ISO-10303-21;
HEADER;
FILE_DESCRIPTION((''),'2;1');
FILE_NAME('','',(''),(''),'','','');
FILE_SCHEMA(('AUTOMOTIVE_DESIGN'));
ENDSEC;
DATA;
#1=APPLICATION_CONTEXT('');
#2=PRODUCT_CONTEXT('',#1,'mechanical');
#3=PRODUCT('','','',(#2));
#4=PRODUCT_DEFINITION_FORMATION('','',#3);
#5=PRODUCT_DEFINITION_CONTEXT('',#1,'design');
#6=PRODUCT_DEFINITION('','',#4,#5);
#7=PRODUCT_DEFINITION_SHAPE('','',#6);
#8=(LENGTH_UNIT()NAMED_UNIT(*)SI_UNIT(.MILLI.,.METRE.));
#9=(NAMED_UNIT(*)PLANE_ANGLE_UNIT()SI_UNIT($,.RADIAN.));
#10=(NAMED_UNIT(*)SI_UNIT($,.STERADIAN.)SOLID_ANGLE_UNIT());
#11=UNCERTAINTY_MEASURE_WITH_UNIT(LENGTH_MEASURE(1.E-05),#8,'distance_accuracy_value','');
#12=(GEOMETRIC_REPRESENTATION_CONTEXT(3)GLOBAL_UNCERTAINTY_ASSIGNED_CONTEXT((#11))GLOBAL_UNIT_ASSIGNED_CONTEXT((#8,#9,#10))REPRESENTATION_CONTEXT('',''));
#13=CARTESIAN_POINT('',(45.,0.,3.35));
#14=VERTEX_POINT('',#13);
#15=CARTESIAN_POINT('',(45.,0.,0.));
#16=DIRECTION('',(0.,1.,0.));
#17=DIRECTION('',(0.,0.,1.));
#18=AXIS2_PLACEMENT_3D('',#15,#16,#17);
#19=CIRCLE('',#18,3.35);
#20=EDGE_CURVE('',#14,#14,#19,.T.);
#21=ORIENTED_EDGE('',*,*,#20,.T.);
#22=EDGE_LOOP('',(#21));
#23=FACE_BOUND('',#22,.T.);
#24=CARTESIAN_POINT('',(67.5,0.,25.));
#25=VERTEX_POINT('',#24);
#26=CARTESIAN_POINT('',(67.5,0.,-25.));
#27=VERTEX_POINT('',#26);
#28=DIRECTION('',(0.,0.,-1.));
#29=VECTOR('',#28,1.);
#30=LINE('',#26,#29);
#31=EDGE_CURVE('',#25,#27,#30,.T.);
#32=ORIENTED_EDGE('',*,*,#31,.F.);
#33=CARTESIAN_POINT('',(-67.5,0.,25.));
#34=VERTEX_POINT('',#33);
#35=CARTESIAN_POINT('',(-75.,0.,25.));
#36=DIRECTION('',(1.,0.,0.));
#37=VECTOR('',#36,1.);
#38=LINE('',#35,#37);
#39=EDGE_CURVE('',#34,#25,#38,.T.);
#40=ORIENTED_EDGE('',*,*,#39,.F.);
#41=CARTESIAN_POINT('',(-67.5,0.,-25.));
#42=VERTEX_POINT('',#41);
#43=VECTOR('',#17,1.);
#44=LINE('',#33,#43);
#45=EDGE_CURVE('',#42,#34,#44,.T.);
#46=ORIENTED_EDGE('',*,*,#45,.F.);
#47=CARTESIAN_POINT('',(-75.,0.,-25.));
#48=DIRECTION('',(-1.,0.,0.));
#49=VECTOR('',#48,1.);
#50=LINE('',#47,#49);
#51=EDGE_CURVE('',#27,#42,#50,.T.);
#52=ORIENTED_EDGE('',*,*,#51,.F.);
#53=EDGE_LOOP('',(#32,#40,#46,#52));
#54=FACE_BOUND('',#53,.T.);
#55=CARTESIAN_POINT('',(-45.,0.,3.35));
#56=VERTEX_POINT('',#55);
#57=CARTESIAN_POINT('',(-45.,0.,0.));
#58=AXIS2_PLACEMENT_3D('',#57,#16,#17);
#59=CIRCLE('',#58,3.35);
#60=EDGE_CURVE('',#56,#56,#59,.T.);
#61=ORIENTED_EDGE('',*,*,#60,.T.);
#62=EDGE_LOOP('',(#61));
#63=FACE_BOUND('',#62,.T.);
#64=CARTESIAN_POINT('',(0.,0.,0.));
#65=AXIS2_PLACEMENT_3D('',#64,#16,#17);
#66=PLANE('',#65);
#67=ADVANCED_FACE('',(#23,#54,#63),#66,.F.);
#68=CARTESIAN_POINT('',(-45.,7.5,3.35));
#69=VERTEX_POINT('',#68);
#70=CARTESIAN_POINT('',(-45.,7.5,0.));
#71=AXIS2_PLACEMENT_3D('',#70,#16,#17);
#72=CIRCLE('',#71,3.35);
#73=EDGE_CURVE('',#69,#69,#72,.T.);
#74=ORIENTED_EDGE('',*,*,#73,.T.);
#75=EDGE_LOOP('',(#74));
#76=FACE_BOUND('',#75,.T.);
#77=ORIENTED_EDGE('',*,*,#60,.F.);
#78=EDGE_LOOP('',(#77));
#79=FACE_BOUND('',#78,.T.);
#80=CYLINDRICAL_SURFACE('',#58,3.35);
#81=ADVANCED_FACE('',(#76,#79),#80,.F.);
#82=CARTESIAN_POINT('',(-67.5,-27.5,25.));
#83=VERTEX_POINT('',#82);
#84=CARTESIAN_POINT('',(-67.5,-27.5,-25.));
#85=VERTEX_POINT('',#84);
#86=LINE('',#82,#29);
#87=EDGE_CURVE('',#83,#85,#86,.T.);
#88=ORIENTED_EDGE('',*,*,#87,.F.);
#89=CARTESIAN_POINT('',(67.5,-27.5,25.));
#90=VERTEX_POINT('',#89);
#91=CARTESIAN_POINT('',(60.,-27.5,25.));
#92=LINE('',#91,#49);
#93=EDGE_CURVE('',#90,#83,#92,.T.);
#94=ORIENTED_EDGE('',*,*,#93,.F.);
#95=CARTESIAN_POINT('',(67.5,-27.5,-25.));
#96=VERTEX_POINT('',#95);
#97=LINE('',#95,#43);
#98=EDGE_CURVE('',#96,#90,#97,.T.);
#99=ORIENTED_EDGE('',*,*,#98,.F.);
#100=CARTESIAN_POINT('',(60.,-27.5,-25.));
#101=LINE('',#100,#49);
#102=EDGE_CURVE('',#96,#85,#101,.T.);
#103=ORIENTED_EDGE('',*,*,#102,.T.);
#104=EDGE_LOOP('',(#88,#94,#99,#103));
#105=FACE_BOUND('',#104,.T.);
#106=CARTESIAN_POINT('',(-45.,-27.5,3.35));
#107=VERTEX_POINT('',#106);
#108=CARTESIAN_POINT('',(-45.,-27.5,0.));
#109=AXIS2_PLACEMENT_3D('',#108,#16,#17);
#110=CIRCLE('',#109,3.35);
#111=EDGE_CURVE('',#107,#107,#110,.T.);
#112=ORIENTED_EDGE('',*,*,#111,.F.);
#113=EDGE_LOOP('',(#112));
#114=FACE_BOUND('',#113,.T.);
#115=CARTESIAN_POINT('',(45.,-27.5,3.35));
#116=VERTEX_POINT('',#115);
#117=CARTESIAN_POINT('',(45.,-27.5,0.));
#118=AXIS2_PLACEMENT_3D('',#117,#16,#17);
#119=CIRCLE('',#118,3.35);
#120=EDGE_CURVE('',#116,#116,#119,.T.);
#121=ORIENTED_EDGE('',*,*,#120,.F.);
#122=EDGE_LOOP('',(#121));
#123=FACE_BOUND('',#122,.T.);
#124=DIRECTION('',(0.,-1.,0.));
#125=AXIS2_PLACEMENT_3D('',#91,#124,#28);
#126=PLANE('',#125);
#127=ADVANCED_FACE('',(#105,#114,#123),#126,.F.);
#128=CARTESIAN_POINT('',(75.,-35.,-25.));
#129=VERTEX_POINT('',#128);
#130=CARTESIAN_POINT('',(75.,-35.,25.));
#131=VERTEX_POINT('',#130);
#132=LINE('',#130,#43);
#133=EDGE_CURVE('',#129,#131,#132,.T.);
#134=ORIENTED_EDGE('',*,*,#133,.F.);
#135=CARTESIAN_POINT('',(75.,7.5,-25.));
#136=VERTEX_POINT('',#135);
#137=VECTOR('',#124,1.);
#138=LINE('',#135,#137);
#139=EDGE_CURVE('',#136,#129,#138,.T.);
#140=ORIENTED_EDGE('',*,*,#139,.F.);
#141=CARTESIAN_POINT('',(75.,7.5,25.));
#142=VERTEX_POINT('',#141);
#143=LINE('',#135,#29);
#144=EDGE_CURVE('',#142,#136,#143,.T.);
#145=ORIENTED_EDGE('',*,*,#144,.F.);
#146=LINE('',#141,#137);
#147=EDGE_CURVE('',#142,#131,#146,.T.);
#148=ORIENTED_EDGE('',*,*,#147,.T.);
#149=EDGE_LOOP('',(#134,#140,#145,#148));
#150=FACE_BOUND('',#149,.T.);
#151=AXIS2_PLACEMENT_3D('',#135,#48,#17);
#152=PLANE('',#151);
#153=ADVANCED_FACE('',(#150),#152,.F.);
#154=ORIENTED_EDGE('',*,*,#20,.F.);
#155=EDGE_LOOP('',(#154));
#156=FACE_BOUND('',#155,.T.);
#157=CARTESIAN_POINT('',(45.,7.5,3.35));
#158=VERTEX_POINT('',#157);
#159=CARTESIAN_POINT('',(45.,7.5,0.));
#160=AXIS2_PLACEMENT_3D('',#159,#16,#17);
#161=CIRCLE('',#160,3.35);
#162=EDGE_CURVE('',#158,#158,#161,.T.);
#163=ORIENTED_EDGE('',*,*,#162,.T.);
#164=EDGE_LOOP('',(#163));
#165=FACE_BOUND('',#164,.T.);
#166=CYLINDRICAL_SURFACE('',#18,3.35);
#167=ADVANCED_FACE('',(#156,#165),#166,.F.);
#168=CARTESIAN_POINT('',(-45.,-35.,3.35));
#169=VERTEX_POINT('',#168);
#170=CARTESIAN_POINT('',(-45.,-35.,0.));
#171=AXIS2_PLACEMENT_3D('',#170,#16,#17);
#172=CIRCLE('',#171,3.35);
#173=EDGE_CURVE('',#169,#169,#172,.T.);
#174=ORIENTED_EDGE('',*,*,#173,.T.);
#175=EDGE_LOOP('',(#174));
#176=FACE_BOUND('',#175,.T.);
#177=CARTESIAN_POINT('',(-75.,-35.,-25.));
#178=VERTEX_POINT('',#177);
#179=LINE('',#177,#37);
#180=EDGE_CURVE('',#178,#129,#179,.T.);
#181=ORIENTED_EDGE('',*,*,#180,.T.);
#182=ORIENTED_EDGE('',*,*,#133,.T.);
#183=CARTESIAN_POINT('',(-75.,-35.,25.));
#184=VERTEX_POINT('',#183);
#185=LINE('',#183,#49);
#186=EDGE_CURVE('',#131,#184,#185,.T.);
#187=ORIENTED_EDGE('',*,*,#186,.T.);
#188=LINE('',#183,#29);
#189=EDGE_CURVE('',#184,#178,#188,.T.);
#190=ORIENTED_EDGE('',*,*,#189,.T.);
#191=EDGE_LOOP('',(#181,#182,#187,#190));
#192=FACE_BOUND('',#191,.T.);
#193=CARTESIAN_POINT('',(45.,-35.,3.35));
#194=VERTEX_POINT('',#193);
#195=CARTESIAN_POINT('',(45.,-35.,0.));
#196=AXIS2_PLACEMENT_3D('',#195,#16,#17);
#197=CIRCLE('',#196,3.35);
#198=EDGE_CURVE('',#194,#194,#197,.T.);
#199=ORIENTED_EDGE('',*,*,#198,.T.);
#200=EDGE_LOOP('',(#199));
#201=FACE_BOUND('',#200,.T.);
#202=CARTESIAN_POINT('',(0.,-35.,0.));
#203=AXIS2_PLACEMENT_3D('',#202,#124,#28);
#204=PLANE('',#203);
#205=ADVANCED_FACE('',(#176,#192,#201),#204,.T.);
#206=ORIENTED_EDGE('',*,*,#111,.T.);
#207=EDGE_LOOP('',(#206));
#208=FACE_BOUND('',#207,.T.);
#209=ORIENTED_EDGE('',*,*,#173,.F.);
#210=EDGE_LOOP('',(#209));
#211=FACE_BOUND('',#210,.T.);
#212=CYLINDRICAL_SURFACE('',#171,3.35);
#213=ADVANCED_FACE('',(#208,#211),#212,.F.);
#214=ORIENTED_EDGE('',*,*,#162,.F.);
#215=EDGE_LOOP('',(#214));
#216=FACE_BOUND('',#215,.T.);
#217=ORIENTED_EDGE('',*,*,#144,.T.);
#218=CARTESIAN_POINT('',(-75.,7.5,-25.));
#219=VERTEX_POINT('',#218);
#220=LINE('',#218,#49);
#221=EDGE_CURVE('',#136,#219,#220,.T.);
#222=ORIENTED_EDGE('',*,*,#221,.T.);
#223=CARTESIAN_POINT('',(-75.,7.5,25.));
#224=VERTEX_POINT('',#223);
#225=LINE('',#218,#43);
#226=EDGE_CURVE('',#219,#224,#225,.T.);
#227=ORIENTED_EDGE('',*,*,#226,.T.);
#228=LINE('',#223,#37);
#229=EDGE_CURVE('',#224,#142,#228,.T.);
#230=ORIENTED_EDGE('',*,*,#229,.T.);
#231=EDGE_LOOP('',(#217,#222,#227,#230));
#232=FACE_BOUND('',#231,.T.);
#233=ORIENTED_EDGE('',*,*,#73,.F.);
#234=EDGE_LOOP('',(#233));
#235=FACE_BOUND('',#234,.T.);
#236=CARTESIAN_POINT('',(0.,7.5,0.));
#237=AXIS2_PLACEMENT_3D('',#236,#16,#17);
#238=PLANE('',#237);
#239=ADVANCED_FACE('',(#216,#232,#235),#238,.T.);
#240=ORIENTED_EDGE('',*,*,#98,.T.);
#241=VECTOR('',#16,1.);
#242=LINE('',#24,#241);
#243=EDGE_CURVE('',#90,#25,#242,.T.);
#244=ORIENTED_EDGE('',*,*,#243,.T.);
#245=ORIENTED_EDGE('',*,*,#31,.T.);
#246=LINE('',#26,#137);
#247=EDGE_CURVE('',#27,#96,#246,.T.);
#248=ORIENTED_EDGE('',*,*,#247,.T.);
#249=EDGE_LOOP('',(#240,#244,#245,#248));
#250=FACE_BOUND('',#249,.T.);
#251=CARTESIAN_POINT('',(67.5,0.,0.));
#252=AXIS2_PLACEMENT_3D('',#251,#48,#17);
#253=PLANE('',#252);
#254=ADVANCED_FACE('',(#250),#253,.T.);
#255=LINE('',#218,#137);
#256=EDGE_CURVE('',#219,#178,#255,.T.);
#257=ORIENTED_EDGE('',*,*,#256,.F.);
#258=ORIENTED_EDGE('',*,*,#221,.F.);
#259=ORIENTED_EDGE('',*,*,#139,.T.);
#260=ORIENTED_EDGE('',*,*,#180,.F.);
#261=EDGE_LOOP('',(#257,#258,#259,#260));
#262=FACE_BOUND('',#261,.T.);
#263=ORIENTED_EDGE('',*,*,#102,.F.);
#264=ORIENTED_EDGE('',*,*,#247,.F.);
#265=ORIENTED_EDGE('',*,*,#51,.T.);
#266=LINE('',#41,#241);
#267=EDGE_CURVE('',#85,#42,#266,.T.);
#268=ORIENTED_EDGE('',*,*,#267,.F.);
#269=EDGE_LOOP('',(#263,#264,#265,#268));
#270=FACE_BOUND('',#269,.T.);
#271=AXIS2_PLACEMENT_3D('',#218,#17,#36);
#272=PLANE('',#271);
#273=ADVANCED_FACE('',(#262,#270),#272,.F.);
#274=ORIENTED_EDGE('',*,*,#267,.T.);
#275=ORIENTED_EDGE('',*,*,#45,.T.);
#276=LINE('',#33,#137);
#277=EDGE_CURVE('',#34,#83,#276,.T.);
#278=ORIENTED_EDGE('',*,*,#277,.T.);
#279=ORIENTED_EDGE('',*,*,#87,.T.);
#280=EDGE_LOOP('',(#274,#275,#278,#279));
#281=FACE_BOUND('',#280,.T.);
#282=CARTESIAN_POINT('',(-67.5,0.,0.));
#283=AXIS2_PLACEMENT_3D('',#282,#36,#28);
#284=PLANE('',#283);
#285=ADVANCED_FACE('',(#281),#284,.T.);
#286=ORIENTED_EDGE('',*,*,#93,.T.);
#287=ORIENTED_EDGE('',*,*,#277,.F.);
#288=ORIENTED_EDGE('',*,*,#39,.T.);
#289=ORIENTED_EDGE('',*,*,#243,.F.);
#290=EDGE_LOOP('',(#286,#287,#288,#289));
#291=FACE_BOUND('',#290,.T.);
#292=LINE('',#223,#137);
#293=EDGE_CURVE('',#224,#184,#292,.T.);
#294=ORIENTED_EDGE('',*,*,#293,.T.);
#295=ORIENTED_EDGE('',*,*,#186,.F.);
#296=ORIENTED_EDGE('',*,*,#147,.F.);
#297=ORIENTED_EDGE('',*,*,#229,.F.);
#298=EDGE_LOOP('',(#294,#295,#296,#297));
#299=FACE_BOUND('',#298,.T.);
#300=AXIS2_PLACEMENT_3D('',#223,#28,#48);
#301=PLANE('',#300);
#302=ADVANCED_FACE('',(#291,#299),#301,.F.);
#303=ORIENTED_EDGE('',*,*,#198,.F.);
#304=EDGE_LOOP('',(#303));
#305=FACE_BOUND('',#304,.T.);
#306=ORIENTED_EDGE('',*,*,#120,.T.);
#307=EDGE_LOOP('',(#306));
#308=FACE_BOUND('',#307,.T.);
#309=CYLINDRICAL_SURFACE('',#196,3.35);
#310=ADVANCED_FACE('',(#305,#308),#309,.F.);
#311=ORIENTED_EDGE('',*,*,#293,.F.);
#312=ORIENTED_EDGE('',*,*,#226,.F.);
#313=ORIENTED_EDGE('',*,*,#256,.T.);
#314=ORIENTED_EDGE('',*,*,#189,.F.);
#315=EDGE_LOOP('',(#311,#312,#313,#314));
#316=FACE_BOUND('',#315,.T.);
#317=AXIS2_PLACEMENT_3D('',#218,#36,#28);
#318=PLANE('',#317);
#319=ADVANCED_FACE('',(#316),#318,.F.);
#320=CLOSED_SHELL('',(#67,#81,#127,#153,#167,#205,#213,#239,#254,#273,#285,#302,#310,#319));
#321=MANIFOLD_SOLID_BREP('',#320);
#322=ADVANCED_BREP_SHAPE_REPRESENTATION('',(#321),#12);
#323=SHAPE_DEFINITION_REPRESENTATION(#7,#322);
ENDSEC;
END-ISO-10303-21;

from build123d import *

# Parameters (mm, degrees)
SKETCH1_W           = 150
SKETCH1_H           = 50
BOSS_EXTRUDE1_DEPTH = 7.5
SKETCH2_R           = 3.35
CUT_EXTRUDE1_DEPTH  = 7.5
SKETCH3_W           = 15
SKETCH3_H           = 50
BOSS_EXTRUDE2_DEPTH = 35
SKETCH6_W           = 50
SKETCH6_H           = 7.5
BOSS_EXTRUDE5_DEPTH = 120
SKETCH10_R          = 3.35
CUT_EXTRUDE4_DEPTH  = 7.5
SKETCH11_W          = 50
SKETCH11_H          = 27.5
CUT_EXTRUDE5_DEPTH  = 7.5
SKETCH12_W          = 50
SKETCH12_H          = 27.5
CUT_EXTRUDE6_DEPTH  = 7.5


with BuildPart() as part:
    # Sketch1 → Boss-Extrude1 (new body)
    with BuildSketch(Plane(origin=(0, 0, 0), x_dir=(1, 0, 0), z_dir=(0, 1, 0))):
        Rectangle(SKETCH1_W, SKETCH1_H)
    extrude(amount=BOSS_EXTRUDE1_DEPTH)

    # Sketch2 → Cut-Extrude1 (cut)
    with BuildSketch(Plane(origin=(0, 7.5, 0), x_dir=(1, 0, 0), z_dir=(0, 1, 0))):
        with Locations(Location((-45, 0, 0), (0, 0, 270))):
            Circle(SKETCH2_R)
        with Locations(Location((45, 0, 0), (0, 0, 270))):
            Circle(SKETCH2_R)
    extrude(amount=-CUT_EXTRUDE1_DEPTH, mode=Mode.SUBTRACT)

    # Sketch3 → Boss-Extrude2 (add)
    with BuildSketch(Plane.XZ):
        with Locations((-67.5, 0)):
            Rectangle(SKETCH3_W, SKETCH3_H)
        with Locations((67.5, 0)):
            Rectangle(SKETCH3_W, SKETCH3_H)
    extrude(amount=BOSS_EXTRUDE2_DEPTH)

    # Sketch6 → Boss-Extrude5 (add)
    with BuildSketch(Plane(origin=(-60, 0, 0), x_dir=(0, 0, -1), z_dir=(1, 0, 0))):
        with Locations((0, -31.25)):
            Rectangle(SKETCH6_W, SKETCH6_H)
    extrude(amount=BOSS_EXTRUDE5_DEPTH)

    # Sketch10 → Cut-Extrude4 (cut)
    with BuildSketch(Plane(origin=(0, -27.5, 0), x_dir=(1, 0, 0), z_dir=(0, 1, 0))):
        with Locations(Location((-45, 0, 0), (0, 0, 270))):
            Circle(SKETCH10_R)
        with Locations(Location((45, 0, 0), (0, 0, 270))):
            Circle(SKETCH10_R)
    extrude(amount=-CUT_EXTRUDE4_DEPTH, mode=Mode.SUBTRACT)

    # Sketch11 → Cut-Extrude5 (cut)
    with BuildSketch(Plane(origin=(-60, 0, 0), x_dir=(0, 0, -1), z_dir=(1, 0, 0))):
        with Locations((0, -13.75)):
            Rectangle(SKETCH11_W, SKETCH11_H)
    extrude(amount=-CUT_EXTRUDE5_DEPTH, mode=Mode.SUBTRACT)

    # Sketch12 → Cut-Extrude6 (cut)
    with BuildSketch(Plane.ZY.offset(-60)):
        with Locations((0, -13.75)):
            Rectangle(SKETCH12_W, SKETCH12_H)
    extrude(amount=-CUT_EXTRUDE6_DEPTH, mode=Mode.SUBTRACT)


solid = part.part
